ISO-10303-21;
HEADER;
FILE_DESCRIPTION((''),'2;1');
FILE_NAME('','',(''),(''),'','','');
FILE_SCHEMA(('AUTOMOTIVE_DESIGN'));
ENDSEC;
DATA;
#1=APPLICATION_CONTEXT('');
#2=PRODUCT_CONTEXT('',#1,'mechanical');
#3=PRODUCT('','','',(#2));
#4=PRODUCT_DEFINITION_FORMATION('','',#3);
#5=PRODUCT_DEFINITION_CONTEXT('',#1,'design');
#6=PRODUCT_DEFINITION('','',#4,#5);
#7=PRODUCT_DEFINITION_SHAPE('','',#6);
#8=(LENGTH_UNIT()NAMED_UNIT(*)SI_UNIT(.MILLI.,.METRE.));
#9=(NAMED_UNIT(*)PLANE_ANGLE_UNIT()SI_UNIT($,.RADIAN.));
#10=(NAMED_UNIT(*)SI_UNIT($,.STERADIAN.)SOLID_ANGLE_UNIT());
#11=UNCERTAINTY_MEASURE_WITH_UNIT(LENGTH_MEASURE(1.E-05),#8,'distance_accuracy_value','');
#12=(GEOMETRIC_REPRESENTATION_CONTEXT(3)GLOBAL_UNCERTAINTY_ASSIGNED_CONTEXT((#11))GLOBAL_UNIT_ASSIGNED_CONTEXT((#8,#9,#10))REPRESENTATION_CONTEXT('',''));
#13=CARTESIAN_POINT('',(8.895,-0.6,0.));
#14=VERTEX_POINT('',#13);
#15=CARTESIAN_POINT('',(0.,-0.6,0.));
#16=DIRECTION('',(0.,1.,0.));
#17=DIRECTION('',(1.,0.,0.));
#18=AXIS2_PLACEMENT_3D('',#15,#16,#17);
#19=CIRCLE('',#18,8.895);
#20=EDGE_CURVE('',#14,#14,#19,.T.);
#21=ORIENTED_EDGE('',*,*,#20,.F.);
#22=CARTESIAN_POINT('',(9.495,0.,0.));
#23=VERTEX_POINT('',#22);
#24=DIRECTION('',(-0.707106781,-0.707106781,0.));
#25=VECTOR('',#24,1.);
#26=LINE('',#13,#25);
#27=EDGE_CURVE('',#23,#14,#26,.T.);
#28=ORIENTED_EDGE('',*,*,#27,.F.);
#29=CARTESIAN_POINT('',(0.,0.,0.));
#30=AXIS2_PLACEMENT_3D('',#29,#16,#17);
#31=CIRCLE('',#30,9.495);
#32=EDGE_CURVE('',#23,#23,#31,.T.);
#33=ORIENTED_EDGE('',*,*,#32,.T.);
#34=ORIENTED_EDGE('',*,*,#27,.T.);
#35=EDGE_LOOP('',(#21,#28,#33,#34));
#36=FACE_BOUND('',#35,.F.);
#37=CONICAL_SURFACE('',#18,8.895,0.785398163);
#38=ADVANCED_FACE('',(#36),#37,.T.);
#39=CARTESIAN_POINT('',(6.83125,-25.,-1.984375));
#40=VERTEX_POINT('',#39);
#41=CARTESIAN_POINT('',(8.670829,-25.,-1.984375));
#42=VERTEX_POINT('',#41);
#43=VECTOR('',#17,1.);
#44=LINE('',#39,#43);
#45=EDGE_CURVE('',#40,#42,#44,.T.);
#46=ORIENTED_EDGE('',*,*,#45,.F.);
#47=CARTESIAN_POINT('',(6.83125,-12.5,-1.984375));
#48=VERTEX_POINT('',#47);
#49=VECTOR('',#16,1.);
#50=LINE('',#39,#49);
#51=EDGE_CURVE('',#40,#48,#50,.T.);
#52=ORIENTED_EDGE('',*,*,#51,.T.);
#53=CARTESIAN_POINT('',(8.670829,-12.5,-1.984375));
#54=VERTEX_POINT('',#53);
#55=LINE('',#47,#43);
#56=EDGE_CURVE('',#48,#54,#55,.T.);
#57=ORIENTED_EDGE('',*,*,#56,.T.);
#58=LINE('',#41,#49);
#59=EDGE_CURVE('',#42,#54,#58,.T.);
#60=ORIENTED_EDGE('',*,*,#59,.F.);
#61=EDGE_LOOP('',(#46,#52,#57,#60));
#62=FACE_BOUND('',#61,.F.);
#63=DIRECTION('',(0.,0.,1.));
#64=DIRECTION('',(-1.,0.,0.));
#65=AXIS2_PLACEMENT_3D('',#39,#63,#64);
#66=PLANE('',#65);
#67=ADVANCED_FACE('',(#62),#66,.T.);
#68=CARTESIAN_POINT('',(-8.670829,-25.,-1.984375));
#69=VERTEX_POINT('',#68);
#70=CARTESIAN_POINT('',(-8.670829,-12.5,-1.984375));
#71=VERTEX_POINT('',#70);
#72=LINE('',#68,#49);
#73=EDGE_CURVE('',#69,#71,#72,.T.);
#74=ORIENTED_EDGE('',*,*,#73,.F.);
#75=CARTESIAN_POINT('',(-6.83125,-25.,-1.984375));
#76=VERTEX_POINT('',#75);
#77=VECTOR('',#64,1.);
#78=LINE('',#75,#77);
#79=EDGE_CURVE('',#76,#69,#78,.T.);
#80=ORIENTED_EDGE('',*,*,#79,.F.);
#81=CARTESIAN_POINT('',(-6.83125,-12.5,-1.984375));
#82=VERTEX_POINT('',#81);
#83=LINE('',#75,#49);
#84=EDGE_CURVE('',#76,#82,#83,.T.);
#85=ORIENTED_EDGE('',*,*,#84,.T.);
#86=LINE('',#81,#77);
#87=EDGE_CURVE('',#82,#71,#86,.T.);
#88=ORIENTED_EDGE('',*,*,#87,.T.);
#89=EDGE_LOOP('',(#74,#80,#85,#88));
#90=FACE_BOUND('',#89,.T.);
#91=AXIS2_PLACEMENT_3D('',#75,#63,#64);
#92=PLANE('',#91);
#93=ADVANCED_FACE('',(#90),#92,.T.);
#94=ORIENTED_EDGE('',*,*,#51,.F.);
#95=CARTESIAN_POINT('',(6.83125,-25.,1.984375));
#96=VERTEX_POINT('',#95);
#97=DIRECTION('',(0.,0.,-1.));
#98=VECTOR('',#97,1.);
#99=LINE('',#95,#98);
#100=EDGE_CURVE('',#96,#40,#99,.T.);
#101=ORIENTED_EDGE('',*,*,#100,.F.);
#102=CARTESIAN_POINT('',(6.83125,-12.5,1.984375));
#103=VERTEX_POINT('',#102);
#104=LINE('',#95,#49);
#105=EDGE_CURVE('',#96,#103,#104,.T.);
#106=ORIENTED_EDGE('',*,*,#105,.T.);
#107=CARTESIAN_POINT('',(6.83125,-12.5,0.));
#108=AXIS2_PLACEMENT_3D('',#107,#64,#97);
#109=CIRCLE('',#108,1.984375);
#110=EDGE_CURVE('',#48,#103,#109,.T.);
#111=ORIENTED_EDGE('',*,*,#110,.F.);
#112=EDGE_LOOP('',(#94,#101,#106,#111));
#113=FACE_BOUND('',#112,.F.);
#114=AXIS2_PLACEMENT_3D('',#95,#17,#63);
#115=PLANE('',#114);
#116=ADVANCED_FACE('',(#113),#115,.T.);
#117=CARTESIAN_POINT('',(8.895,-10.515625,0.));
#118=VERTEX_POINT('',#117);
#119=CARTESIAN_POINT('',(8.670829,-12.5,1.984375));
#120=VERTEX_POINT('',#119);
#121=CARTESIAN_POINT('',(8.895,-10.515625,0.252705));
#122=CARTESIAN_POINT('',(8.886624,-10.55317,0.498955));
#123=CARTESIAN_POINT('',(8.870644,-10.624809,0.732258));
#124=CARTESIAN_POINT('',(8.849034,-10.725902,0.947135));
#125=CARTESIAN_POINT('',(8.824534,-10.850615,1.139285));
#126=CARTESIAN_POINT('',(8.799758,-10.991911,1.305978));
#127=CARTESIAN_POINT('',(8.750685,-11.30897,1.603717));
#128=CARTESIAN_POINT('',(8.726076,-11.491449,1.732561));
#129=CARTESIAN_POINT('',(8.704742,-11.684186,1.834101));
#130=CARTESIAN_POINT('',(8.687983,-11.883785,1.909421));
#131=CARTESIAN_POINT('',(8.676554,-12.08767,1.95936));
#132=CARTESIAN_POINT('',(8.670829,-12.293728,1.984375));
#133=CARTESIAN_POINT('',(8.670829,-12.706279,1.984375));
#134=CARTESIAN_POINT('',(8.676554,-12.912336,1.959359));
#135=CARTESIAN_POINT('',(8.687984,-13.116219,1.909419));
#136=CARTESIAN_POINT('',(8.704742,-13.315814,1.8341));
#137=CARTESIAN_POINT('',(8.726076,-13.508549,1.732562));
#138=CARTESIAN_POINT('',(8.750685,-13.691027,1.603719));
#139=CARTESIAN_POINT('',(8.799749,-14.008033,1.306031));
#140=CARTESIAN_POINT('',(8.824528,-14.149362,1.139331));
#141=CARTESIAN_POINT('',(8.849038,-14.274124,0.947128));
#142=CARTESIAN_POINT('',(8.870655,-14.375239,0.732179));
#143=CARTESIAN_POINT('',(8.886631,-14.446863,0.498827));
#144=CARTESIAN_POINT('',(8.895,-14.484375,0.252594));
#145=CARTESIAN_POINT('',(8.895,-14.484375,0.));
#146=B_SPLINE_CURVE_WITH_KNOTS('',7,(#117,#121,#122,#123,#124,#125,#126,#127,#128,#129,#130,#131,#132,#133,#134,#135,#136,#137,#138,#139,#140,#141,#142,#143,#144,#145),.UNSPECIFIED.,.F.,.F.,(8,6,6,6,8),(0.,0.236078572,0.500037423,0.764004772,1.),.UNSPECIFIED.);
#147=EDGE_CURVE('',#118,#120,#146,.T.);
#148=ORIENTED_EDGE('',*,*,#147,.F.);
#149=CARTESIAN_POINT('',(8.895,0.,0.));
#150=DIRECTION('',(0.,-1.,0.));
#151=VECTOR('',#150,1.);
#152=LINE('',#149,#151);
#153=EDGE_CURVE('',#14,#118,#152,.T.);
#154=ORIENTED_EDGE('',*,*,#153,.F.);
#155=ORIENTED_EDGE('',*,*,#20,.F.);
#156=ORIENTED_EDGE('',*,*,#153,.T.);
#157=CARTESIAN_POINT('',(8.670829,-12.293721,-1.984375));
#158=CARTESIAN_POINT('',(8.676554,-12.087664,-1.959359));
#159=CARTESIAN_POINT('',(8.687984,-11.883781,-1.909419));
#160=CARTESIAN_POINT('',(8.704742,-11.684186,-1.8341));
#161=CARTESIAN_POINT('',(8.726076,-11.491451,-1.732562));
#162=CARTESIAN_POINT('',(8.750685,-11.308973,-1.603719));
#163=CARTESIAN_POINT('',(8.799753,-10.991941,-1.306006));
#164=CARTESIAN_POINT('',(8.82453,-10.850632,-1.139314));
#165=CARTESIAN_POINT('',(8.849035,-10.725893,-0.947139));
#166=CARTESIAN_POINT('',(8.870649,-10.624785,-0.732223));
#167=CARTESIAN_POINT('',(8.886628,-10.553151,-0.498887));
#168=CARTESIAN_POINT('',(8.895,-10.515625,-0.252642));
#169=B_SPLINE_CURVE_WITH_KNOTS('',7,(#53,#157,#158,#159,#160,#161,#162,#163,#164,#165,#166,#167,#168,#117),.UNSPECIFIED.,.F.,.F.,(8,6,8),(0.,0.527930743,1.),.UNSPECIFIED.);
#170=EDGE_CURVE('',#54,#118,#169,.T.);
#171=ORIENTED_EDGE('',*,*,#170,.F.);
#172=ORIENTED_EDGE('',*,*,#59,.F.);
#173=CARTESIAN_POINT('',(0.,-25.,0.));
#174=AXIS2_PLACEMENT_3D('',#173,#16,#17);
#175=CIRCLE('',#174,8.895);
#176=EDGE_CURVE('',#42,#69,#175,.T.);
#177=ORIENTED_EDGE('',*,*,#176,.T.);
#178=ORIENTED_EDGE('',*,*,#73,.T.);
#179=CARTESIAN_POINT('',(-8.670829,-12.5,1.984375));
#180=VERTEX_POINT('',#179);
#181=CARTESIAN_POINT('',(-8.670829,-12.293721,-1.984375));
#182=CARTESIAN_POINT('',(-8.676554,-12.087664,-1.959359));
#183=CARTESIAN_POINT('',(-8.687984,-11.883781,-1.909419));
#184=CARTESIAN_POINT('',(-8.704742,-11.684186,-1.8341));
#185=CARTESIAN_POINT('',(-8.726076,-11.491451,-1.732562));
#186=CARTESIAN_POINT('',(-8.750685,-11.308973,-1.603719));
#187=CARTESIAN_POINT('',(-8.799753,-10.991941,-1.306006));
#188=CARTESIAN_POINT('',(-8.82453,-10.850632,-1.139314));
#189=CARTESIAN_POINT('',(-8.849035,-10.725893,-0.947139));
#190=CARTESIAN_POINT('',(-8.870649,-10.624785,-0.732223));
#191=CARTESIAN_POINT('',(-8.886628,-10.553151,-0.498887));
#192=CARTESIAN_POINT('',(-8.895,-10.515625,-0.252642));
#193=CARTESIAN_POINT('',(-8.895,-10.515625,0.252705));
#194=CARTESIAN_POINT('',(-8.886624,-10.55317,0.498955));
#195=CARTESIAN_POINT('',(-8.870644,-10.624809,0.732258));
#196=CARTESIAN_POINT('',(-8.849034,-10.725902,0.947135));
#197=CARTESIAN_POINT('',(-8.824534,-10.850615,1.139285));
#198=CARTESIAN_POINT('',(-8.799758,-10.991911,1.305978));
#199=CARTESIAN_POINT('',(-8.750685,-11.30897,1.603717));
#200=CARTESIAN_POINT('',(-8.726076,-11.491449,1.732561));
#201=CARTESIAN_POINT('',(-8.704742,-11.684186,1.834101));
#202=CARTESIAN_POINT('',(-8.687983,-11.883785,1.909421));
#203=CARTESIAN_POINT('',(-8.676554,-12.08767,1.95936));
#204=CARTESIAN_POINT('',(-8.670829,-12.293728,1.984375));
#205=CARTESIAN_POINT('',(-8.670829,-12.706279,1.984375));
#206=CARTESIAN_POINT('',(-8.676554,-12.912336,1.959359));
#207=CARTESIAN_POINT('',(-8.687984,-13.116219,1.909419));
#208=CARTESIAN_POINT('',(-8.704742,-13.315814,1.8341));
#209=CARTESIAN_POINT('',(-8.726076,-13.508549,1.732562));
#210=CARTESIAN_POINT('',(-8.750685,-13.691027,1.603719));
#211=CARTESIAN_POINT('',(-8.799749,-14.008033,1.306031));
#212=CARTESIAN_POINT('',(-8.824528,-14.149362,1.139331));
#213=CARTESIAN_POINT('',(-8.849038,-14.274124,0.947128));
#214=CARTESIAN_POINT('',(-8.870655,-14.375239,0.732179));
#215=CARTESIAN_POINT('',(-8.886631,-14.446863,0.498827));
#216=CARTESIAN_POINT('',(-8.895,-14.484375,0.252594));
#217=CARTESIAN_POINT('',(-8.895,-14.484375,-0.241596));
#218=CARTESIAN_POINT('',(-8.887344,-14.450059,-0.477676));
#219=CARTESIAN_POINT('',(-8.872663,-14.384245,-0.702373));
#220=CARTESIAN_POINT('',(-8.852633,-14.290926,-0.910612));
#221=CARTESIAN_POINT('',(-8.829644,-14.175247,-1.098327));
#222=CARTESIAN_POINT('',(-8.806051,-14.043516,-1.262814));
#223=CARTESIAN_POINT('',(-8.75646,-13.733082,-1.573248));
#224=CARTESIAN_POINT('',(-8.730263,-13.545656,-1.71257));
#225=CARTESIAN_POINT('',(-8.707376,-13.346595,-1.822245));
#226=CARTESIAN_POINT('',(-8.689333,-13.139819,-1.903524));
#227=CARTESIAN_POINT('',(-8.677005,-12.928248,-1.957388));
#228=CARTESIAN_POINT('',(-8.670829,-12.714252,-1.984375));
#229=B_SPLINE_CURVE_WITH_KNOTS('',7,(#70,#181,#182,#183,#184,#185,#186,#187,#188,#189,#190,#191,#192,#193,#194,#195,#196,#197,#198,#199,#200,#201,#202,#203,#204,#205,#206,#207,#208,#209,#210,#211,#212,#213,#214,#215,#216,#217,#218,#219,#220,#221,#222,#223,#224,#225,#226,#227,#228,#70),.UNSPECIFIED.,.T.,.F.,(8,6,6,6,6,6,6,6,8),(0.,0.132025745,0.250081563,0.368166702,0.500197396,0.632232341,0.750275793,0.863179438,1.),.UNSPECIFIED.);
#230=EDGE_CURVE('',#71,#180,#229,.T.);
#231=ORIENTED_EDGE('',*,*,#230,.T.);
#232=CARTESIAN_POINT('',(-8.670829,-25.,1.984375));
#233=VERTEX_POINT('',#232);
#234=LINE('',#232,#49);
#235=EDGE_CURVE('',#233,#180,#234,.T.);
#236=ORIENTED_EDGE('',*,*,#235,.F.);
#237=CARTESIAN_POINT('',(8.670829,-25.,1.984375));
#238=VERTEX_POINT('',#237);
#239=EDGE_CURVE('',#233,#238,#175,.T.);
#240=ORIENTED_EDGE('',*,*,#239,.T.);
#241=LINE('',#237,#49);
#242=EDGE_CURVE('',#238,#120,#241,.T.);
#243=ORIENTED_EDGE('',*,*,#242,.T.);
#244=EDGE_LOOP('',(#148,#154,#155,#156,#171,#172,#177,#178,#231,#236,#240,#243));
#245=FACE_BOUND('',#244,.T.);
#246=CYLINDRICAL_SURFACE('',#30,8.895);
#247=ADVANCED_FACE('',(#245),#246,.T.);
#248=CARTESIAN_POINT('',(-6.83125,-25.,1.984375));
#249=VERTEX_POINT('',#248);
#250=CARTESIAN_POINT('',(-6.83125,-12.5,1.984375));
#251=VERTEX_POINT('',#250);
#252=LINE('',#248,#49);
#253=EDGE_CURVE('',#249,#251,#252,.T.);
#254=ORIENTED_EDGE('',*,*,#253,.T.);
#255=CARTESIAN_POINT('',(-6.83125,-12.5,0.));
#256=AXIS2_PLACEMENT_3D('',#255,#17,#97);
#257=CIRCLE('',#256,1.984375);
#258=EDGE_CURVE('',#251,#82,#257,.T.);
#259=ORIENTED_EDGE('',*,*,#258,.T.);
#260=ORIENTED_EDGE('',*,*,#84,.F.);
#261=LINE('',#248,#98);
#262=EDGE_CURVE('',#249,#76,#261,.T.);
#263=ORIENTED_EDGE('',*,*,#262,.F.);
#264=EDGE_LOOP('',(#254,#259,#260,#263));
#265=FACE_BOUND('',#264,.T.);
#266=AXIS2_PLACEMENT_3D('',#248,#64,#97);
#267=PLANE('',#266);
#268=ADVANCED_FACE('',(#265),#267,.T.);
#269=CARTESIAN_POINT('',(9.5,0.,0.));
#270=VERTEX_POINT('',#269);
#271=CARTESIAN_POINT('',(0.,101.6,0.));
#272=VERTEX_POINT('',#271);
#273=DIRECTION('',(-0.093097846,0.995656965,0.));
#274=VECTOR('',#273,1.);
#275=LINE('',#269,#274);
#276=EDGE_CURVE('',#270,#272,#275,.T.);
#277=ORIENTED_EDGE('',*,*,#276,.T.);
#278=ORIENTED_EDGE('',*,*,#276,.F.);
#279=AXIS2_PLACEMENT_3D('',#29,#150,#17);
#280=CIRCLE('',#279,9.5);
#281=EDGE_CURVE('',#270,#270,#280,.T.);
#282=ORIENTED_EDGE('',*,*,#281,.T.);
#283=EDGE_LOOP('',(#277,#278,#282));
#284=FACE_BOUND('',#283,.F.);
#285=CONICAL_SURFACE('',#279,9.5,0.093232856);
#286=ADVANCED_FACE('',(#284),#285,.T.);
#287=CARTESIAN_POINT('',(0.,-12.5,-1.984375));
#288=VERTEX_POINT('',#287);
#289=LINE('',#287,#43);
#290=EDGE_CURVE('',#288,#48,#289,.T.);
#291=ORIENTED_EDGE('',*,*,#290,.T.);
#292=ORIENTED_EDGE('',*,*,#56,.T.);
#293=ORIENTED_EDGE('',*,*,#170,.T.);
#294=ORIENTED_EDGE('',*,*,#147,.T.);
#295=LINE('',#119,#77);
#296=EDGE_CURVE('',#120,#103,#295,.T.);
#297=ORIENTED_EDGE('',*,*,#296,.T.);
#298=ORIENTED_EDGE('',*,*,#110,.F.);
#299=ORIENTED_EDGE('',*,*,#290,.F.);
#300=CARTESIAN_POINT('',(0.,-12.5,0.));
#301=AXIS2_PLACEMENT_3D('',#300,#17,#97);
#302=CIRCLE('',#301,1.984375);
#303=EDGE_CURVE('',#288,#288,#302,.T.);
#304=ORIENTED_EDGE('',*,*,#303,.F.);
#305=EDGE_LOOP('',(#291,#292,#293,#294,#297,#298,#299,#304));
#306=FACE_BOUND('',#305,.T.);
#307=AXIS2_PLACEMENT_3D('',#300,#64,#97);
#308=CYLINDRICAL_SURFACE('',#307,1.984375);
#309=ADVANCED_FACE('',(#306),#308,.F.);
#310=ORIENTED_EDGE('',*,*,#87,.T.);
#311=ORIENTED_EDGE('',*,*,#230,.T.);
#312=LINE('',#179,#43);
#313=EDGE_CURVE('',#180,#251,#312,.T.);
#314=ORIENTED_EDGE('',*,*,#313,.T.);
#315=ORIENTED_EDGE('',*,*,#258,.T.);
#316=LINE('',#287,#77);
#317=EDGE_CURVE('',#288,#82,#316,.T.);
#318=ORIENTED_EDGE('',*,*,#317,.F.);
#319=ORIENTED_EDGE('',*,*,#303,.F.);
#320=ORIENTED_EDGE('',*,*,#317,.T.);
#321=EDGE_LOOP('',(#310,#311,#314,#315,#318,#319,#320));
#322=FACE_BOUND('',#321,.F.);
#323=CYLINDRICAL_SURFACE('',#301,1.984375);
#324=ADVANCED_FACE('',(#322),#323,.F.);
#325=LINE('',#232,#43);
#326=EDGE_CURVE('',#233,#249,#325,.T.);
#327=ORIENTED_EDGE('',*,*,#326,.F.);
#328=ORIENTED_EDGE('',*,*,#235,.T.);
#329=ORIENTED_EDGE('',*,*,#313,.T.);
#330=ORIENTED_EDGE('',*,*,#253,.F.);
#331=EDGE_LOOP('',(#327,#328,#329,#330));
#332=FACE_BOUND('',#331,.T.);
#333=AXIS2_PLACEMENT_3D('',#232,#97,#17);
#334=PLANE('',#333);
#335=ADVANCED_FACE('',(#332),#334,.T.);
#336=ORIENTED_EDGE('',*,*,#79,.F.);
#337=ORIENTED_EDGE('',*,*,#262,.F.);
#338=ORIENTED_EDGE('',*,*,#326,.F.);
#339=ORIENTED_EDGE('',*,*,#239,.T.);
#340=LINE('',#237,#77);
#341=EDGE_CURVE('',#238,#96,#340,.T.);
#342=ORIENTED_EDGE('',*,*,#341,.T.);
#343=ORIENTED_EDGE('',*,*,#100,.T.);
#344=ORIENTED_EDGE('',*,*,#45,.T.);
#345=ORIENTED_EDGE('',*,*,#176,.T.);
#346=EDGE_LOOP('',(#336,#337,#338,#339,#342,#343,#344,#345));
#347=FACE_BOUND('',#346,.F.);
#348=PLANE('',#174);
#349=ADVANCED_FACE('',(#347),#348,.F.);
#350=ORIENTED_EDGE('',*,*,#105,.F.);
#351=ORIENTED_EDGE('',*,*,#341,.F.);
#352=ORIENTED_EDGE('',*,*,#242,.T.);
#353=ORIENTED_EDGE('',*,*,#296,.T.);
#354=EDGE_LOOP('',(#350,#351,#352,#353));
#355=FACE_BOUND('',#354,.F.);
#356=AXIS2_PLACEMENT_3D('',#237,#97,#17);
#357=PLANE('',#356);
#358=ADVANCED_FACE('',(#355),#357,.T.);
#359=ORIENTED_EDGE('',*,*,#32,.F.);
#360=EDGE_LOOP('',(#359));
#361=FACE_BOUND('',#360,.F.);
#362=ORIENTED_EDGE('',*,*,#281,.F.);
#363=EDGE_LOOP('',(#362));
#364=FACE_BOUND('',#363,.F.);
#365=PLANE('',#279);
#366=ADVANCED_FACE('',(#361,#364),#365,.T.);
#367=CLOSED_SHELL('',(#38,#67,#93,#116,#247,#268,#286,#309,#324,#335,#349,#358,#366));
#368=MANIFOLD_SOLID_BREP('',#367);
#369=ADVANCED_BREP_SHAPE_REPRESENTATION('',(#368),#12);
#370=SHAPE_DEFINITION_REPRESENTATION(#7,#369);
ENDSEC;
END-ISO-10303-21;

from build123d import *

# Parameters (mm, degrees)
SKETCH1_R               = 8.895
BOSS_EXTRUDE1_DEPTH     = 25
CUT_EXTRUDE1_DEPTH      = 12.5
SKETCH3_R               = 1.984375
CUT_EXTRUDE2_DEPTH      = 9.895
CUT_EXTRUDE2_DEPTH_BACK = 9.895
CHAMFER1_SIZE           = 0.6


with BuildPart() as part:
    # Sketch1 → Boss-Extrude1 (new body)
    with BuildSketch(Plane(origin=(0, 0, 0), x_dir=(1, 0, 0), z_dir=(0, 1, 0))):
        Circle(SKETCH1_R)
    extrude(amount=-BOSS_EXTRUDE1_DEPTH)

    # Sketch2 → Cut-Extrude1 (cut)
    with BuildSketch(Plane.XZ.offset(25)):
        with BuildLine():
            Line((-6.83125, 1.984375), (-6.83125, -1.984375))
            Line((-6.83125, -1.984375), (-8.670829306, -1.984375))
            ThreePointArc((-8.670829306, -1.984375), (-8.895, 0), (-8.670829306, 1.984375))
            Line((-8.670829306, 1.984375), (-6.83125, 1.984375))
        make_face()
    cut_extrude1 = extrude(amount=-CUT_EXTRUDE1_DEPTH, mode=Mode.SUBTRACT)

    # Mirror1: Cut-Extrude1 across plane
    add(cut_extrude1.mirror(Plane(origin=(0, 0, 0), x_dir=(0, 0, 1), z_dir=(1, 0, 0))), mode=Mode.SUBTRACT)

    # Sketch3 → Cut-Extrude2 (cut, two sides)
    with BuildSketch(Plane(origin=(0, 0, 0), x_dir=(0, 0, -1), z_dir=(1, 0, 0))) as cut_extrude2_sk:
        with Locations((0, -12.5)):
            Circle(SKETCH3_R)
    extrude(amount=CUT_EXTRUDE2_DEPTH, mode=Mode.SUBTRACT)
    extrude(cut_extrude2_sk.sketch, amount=-CUT_EXTRUDE2_DEPTH_BACK, mode=Mode.SUBTRACT)

    # Sketch4 → Revolve1 (revolve)
    with BuildSketch(Plane.XY):
        Polygon((0, 0), (9.5, 0), (0, 101.6), align=None)
    revolve(axis=Axis((0, 101.6, 0), (0, -1, 0)))

    # Chamfer1
    chamfer1_edges = [part.edges().sort_by_distance(p)[0] for p in [
        (-8.895, 0, 0),
    ]]
    chamfer(chamfer1_edges, length=CHAMFER1_SIZE)


solid = part.part
